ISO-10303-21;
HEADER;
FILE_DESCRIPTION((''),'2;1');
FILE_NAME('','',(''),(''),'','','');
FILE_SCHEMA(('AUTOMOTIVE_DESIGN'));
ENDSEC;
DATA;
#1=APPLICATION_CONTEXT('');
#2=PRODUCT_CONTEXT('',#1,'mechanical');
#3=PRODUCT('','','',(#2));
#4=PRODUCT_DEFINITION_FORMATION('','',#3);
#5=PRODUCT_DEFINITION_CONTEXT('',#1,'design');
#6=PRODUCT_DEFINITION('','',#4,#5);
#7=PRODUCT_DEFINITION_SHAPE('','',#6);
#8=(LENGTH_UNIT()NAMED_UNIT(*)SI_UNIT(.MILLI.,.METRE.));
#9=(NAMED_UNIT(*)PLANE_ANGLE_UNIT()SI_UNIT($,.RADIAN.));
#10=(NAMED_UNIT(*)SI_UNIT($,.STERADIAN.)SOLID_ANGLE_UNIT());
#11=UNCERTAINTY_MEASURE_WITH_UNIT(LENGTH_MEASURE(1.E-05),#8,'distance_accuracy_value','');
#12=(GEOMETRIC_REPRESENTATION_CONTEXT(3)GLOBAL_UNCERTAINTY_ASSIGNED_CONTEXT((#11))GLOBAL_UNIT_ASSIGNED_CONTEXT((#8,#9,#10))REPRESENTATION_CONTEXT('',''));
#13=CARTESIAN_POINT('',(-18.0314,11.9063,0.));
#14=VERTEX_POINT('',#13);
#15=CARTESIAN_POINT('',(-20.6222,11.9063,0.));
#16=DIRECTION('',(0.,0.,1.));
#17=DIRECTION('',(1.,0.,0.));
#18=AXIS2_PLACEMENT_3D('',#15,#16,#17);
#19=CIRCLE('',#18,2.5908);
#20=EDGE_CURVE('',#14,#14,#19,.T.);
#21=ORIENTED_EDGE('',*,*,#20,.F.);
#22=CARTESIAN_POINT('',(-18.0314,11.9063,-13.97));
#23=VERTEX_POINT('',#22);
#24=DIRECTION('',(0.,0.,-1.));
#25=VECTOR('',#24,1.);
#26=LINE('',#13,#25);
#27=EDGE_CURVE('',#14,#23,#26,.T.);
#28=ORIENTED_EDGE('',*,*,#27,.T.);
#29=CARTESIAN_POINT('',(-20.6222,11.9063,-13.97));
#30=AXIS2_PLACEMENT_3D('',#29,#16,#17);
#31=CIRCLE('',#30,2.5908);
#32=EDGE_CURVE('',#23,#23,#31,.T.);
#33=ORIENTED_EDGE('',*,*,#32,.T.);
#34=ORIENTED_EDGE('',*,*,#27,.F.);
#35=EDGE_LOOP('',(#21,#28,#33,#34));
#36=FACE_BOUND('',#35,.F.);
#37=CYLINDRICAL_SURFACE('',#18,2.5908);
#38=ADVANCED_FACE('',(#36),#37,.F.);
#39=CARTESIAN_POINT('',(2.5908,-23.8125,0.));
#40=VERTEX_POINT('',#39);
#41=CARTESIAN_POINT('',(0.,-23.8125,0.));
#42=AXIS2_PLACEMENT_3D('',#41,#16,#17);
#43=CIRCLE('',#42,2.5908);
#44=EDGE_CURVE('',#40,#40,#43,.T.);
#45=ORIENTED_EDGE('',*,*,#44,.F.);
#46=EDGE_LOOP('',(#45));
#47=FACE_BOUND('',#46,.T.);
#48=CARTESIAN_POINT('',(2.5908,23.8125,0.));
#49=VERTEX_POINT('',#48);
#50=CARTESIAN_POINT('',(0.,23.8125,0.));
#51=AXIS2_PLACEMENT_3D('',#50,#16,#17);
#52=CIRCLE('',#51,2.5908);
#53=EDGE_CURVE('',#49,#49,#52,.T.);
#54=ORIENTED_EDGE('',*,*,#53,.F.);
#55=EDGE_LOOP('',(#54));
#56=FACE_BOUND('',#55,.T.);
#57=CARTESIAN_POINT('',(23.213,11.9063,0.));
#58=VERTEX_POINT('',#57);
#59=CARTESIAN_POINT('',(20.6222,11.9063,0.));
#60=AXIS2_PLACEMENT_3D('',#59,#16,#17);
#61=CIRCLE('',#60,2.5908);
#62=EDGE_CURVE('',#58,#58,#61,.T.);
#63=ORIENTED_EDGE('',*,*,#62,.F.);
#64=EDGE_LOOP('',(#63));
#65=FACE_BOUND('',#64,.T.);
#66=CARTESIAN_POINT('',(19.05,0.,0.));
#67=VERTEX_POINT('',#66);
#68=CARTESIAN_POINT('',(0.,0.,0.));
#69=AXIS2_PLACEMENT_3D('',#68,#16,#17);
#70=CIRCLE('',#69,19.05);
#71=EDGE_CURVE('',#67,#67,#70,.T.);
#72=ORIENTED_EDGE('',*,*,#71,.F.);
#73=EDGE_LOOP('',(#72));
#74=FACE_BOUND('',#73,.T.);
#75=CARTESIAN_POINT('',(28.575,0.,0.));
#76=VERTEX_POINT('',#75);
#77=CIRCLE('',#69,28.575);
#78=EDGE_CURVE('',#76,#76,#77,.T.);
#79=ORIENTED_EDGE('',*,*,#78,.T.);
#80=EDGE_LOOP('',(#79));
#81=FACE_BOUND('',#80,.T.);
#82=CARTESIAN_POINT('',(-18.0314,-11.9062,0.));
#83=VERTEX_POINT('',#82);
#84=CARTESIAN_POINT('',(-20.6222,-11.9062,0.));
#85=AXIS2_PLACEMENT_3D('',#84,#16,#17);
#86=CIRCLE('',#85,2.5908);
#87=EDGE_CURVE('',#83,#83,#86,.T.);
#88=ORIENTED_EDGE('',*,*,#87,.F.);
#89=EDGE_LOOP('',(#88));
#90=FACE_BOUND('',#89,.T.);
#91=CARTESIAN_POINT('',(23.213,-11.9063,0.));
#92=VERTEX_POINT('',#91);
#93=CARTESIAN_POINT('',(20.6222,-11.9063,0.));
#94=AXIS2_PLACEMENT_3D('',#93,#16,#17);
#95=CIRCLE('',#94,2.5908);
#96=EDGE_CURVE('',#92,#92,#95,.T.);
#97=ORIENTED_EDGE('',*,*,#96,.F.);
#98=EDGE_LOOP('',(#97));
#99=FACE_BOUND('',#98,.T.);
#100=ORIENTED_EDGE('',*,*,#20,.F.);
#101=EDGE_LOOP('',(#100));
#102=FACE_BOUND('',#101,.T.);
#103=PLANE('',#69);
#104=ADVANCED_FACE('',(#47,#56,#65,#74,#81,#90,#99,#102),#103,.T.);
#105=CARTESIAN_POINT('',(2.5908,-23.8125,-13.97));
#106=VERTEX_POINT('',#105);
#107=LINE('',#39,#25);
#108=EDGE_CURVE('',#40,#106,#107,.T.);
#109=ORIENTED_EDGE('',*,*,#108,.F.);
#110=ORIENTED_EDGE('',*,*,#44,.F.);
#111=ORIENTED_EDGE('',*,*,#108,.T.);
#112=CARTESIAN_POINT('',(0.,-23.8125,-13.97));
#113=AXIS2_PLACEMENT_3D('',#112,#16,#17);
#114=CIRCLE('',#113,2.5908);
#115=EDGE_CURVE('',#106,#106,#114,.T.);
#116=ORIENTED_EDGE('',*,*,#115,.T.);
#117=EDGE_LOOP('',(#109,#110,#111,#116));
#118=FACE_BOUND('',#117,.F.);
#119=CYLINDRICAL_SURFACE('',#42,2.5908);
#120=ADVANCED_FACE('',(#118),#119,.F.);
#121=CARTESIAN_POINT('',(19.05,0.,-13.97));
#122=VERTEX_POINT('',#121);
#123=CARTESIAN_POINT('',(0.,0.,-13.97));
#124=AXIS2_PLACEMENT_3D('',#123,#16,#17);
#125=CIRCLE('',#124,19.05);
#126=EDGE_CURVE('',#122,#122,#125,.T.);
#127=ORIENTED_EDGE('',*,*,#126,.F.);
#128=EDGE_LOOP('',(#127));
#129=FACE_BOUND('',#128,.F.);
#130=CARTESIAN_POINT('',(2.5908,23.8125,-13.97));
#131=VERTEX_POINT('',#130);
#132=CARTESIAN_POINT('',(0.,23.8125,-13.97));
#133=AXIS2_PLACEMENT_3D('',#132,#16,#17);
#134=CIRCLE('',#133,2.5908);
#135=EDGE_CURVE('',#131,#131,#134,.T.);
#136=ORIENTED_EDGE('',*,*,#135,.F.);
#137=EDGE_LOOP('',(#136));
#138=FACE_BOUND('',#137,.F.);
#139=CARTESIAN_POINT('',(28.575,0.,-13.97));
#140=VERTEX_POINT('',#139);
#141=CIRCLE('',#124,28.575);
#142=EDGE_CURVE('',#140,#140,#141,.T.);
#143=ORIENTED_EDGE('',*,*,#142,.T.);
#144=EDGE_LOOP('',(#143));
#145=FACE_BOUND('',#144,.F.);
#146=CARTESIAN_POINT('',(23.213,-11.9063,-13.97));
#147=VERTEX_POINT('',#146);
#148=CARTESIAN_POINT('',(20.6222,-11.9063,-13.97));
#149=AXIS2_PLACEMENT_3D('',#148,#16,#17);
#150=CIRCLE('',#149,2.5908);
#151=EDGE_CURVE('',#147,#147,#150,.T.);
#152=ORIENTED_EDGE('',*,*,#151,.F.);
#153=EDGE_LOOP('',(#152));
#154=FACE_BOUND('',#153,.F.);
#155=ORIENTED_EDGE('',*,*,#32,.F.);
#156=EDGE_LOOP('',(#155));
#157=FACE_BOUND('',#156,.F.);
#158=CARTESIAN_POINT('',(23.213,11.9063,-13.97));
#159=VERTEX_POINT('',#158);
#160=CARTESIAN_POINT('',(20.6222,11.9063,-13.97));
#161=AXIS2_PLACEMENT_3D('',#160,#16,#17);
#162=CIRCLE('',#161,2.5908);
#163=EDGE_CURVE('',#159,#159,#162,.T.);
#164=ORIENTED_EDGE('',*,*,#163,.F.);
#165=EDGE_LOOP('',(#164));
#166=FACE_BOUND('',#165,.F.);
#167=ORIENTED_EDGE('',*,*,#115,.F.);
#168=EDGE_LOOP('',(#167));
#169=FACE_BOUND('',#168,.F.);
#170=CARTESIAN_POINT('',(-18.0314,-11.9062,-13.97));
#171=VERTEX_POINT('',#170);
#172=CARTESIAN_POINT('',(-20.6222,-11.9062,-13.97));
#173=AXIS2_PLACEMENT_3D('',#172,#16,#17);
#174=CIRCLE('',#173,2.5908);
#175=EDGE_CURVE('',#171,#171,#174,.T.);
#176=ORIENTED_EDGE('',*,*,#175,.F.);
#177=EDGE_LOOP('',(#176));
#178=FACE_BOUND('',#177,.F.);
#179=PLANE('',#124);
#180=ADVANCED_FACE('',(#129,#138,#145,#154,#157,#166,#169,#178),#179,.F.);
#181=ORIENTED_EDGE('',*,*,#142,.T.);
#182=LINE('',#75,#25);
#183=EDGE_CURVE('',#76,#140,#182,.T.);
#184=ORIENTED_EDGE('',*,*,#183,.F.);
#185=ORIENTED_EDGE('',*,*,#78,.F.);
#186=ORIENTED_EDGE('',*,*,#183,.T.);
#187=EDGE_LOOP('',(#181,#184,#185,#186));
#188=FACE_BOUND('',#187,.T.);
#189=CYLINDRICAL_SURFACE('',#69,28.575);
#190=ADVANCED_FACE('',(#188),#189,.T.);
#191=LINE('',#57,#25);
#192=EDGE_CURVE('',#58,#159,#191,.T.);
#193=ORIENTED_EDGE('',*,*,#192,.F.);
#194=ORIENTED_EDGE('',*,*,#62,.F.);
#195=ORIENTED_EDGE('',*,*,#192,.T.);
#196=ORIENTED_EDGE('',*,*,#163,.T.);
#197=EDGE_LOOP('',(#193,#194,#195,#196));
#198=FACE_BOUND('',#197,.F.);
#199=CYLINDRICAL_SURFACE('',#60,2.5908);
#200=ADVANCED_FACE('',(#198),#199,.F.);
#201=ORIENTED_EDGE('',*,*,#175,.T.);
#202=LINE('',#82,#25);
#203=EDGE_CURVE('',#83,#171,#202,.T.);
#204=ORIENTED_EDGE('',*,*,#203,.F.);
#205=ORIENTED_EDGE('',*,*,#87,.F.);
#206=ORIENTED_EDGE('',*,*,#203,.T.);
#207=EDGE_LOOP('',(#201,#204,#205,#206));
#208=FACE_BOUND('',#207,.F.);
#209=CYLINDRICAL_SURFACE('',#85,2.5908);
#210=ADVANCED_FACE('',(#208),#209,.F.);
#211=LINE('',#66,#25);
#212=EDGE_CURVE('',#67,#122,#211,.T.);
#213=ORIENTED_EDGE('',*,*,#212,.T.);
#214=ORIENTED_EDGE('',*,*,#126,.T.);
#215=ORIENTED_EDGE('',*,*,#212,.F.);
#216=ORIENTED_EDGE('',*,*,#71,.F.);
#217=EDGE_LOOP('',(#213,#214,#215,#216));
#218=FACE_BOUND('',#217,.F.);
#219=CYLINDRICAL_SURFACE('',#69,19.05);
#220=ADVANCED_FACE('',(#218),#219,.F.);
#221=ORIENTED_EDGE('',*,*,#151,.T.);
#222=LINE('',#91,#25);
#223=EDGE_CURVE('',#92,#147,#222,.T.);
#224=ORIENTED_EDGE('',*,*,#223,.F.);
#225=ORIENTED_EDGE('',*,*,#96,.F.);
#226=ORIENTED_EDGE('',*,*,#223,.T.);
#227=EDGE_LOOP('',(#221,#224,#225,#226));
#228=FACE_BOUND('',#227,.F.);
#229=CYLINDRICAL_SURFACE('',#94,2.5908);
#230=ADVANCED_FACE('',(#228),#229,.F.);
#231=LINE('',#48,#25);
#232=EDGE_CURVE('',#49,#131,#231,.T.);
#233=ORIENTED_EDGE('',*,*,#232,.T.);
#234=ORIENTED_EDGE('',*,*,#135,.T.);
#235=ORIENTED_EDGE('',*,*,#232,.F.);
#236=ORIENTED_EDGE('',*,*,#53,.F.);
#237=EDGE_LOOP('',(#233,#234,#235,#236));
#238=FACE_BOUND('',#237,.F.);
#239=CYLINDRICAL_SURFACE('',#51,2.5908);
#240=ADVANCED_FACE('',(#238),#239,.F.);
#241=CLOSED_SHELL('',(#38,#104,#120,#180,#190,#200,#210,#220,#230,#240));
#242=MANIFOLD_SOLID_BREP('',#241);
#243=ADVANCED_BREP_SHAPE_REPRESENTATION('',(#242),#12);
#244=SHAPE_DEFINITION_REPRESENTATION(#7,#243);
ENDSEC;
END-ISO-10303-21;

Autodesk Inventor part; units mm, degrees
ref_plane "YZ Plane" through (0, 0, 0) normal (1, 0, 0) x (0, 1, 0)
ref_plane "XZ Plane" through (0, 0, 0) normal (0, 1, 0) x (-1, 0, 0)
ref_plane "XY Plane" through (0, 0, 0) normal (0, 0, 1) x (1, 0, 0)
sketch "Sketch1" plane through (0, 0, 0) normal (0, 0, 1) x (1, 0, 0)
  circle A0 centre (0, 0) radius 28.575
  circle A1 centre (0, 0) radius 23.8125 construction
  line L0 (0, 23.8125) -> (20.6222, 11.9063) construction
  line L1 (20.6222, 11.9063) -> (20.6222, -11.9063) construction
  line L2 (20.6222, -11.9063) -> (0, -23.8125) construction
  line L3 (0, -23.8125) -> (-20.6222, -11.9062) construction
  line L4 (-20.6222, -11.9062) -> (-20.6222, 11.9063) construction
  line L5 (-20.6222, 11.9063) -> (0, 23.8125) construction
  circle A2 centre (0, 23.8125) radius 2.5908
  circle A3 centre (-20.6222, 11.9063) radius 2.5908
  circle A4 centre (-20.6222, -11.9062) radius 2.5908
  circle A5 centre (0, -23.8125) radius 2.5908
  circle A6 centre (20.6222, -11.9063) radius 2.5908
  circle A7 centre (20.6222, 11.9063) radius 2.5908
  circle A8 centre (0, 0) radius 19.05
  dimension "d0" = 57.15
  dimension "d1" = 47.625
  dimension "d2" = 5.1816
  dimension "d3" = 5.1816
  dimension "d4" = 5.1816
  dimension "d5" = 5.1816
  dimension "d6" = 5.1816
  dimension "d7" = 5.1816
  dimension "d8" = 38.1
extrude "Extrusion1" add sketch "Sketch1" against normal blind 13.97
properties part number "spacer"
